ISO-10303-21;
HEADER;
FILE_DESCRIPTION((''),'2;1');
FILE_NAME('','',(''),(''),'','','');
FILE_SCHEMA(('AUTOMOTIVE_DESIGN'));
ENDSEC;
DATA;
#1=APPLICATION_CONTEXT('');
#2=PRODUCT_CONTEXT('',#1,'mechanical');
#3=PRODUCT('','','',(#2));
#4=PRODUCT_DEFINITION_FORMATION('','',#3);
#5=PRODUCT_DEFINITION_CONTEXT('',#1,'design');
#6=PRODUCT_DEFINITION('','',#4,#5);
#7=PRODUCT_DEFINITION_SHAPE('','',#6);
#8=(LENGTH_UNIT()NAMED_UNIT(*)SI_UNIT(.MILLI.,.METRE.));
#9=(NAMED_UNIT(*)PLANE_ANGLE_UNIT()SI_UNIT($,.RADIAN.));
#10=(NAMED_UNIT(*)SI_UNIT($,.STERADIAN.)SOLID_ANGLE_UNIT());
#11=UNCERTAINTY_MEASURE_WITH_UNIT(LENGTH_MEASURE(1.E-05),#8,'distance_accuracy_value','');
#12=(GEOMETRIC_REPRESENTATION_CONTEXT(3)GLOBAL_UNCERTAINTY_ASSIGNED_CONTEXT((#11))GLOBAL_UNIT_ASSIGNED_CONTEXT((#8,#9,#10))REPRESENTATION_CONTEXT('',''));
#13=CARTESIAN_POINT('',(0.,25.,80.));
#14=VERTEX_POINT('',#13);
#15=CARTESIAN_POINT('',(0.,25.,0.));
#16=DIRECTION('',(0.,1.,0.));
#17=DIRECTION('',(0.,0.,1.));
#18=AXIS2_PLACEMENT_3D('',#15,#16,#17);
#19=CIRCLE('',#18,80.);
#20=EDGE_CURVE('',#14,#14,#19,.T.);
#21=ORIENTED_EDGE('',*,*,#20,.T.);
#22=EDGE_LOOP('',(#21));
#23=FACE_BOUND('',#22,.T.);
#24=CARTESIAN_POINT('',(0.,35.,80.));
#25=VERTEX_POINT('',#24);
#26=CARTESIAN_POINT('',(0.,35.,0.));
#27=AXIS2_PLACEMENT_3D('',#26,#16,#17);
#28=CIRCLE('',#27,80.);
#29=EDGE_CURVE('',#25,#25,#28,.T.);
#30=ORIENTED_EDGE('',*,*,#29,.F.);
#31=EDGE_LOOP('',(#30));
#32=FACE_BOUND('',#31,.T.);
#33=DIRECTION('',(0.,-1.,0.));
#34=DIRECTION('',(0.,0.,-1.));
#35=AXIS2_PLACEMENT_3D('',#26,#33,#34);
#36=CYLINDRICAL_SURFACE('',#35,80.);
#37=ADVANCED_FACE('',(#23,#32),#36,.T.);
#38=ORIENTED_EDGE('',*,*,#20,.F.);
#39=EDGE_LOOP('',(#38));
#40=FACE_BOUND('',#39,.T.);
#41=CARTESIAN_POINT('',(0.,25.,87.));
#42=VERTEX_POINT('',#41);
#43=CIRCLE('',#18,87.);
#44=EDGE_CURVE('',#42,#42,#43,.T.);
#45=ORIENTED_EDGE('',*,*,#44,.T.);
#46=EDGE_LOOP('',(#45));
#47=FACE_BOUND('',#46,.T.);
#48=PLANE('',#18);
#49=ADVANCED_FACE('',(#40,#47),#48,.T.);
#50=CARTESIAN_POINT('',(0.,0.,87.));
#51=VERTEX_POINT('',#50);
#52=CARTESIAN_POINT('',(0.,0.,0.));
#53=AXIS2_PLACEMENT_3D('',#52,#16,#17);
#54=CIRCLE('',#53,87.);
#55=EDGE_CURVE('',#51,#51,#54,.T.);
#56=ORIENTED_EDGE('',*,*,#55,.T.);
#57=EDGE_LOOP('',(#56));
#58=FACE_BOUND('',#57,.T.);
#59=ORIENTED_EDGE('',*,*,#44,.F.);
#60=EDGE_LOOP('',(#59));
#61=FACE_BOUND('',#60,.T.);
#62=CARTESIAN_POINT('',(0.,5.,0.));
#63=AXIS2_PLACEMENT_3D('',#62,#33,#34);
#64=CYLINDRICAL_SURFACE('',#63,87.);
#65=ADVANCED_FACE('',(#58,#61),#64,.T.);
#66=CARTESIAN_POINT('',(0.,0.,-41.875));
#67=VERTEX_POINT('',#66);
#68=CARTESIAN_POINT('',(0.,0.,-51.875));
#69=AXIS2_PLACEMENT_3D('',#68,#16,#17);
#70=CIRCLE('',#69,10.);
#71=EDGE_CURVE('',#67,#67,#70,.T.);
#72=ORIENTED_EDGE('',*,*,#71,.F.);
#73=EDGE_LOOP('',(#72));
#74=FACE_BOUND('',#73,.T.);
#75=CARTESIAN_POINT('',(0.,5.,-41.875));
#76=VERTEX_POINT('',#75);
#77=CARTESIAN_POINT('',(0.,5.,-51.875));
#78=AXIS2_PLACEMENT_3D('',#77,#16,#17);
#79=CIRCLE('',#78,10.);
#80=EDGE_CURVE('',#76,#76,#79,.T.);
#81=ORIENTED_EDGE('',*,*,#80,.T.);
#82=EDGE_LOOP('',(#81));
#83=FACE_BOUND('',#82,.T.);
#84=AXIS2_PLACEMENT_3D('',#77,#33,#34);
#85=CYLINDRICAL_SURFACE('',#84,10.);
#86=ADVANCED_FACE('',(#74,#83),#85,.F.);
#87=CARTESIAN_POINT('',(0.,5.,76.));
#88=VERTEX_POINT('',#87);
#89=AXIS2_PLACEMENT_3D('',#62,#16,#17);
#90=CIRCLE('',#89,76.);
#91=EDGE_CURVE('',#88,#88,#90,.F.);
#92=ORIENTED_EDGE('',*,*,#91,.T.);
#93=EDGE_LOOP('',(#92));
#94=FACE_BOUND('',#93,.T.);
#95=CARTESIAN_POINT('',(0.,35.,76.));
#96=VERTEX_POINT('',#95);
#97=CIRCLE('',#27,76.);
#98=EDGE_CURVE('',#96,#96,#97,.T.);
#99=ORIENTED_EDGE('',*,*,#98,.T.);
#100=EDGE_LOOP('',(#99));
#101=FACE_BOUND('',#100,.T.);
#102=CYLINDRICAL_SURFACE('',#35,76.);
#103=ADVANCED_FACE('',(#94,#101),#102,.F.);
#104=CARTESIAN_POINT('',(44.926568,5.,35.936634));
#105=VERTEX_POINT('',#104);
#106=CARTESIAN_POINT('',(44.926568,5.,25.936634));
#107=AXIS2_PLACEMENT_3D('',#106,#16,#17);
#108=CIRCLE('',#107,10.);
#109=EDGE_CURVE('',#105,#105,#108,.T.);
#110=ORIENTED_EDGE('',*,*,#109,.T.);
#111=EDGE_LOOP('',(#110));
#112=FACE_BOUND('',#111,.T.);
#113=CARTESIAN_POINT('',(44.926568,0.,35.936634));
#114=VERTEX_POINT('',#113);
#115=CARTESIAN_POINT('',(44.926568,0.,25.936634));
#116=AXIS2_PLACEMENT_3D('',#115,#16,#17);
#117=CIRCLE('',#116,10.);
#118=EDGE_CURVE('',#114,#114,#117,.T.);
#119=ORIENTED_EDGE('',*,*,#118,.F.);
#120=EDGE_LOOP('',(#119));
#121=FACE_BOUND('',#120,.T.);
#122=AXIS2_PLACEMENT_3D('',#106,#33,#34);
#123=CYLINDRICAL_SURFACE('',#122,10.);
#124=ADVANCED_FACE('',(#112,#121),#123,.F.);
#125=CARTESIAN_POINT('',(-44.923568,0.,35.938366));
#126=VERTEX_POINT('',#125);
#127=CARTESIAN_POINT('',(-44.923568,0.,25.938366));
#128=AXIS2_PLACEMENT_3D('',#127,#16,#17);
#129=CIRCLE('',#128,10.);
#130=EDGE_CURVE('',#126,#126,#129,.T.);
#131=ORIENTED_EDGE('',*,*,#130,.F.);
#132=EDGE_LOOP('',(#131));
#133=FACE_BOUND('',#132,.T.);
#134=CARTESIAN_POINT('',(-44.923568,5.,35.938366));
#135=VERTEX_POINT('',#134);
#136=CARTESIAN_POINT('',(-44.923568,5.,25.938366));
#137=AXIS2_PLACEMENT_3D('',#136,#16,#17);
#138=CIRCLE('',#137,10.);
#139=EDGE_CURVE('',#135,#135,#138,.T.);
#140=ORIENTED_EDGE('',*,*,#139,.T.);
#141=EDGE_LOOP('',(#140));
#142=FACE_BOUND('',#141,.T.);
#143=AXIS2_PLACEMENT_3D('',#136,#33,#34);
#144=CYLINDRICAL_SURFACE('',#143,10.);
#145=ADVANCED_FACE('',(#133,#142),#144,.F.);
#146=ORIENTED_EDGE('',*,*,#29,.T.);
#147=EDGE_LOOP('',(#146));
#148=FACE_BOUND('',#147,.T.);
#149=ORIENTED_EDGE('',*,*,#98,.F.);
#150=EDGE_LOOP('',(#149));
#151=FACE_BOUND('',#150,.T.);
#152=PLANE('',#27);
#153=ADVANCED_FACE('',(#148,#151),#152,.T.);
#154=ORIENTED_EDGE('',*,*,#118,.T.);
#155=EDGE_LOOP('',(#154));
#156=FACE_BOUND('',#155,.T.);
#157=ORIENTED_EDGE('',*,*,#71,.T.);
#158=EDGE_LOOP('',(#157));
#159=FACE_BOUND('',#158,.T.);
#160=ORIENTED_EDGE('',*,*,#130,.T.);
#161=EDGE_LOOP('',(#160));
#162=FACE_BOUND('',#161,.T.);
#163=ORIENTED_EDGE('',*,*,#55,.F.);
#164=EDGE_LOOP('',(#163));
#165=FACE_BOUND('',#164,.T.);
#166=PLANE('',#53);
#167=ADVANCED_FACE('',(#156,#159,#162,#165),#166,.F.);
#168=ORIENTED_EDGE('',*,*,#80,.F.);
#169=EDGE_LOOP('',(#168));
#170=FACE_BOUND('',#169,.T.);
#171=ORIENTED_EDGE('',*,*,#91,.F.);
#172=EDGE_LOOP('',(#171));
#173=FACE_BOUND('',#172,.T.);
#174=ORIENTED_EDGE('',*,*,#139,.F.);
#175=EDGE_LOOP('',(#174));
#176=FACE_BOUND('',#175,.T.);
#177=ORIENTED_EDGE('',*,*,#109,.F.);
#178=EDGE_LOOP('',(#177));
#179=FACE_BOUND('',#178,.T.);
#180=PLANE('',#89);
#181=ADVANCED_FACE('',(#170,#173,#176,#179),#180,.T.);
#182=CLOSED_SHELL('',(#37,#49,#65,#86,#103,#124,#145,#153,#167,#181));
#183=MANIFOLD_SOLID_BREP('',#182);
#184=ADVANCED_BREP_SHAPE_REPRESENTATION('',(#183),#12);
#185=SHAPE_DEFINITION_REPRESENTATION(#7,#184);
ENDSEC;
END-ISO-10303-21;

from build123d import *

# Parameters (mm, degrees)
SKETCH1_R           = 87
SKETCH1_R_2         = 10
BOSS_EXTRUDE1_DEPTH = 5
SKETCH2_R           = 80
SKETCH2_R_2         = 76
BOSS_EXTRUDE2_DEPTH = 30
SKETCH3_R           = 87
SKETCH3_R_2         = 80
BOSS_EXTRUDE3_DEPTH = 20


with BuildPart() as part:
    # Sketch1 → Boss-Extrude1 (new body)
    with BuildSketch(Plane(origin=(0, 0, 0), x_dir=(1, 0, 0), z_dir=(0, 1, 0))):
        with Locations(Location((0, 0, 0), (0, 0, 270))):
            Circle(SKETCH1_R)
        with Locations(Location((0, 51.875, 0), (0, 0, 270))):
            Circle(SKETCH1_R_2, mode=Mode.SUBTRACT)
        with Locations(Location((44.926567821, -25.936633975, 0), (0, 0, 270))):
            Circle(SKETCH1_R_2, mode=Mode.SUBTRACT)
        with Locations(Location((-44.923567821, -25.938366025, 0), (0, 0, 270))):
            Circle(SKETCH1_R_2, mode=Mode.SUBTRACT)
    extrude(amount=BOSS_EXTRUDE1_DEPTH)

    # Sketch2 → Boss-Extrude2 (add)
    with BuildSketch(Plane(origin=(0, 5, 0), x_dir=(1, 0, 0), z_dir=(0, 1, 0))):
        with Locations(Location((0, 0, 0), (0, 0, 270))):
            Circle(SKETCH2_R)
        with Locations(Location((0, 0, 0), (0, 0, 270))):
            Circle(SKETCH2_R_2, mode=Mode.SUBTRACT)
    extrude(amount=BOSS_EXTRUDE2_DEPTH)

    # Sketch3 → Boss-Extrude3 (add)
    with BuildSketch(Plane(origin=(0, 5, 0), x_dir=(1, 0, 0), z_dir=(0, 1, 0))):
        with Locations(Location((0, 0, 0), (0, 0, 270))):
            Circle(SKETCH3_R)
        with Locations(Location((0, 0, 0), (0, 0, 270))):
            Circle(SKETCH3_R_2, mode=Mode.SUBTRACT)
    extrude(amount=BOSS_EXTRUDE3_DEPTH)


solid = part.part
